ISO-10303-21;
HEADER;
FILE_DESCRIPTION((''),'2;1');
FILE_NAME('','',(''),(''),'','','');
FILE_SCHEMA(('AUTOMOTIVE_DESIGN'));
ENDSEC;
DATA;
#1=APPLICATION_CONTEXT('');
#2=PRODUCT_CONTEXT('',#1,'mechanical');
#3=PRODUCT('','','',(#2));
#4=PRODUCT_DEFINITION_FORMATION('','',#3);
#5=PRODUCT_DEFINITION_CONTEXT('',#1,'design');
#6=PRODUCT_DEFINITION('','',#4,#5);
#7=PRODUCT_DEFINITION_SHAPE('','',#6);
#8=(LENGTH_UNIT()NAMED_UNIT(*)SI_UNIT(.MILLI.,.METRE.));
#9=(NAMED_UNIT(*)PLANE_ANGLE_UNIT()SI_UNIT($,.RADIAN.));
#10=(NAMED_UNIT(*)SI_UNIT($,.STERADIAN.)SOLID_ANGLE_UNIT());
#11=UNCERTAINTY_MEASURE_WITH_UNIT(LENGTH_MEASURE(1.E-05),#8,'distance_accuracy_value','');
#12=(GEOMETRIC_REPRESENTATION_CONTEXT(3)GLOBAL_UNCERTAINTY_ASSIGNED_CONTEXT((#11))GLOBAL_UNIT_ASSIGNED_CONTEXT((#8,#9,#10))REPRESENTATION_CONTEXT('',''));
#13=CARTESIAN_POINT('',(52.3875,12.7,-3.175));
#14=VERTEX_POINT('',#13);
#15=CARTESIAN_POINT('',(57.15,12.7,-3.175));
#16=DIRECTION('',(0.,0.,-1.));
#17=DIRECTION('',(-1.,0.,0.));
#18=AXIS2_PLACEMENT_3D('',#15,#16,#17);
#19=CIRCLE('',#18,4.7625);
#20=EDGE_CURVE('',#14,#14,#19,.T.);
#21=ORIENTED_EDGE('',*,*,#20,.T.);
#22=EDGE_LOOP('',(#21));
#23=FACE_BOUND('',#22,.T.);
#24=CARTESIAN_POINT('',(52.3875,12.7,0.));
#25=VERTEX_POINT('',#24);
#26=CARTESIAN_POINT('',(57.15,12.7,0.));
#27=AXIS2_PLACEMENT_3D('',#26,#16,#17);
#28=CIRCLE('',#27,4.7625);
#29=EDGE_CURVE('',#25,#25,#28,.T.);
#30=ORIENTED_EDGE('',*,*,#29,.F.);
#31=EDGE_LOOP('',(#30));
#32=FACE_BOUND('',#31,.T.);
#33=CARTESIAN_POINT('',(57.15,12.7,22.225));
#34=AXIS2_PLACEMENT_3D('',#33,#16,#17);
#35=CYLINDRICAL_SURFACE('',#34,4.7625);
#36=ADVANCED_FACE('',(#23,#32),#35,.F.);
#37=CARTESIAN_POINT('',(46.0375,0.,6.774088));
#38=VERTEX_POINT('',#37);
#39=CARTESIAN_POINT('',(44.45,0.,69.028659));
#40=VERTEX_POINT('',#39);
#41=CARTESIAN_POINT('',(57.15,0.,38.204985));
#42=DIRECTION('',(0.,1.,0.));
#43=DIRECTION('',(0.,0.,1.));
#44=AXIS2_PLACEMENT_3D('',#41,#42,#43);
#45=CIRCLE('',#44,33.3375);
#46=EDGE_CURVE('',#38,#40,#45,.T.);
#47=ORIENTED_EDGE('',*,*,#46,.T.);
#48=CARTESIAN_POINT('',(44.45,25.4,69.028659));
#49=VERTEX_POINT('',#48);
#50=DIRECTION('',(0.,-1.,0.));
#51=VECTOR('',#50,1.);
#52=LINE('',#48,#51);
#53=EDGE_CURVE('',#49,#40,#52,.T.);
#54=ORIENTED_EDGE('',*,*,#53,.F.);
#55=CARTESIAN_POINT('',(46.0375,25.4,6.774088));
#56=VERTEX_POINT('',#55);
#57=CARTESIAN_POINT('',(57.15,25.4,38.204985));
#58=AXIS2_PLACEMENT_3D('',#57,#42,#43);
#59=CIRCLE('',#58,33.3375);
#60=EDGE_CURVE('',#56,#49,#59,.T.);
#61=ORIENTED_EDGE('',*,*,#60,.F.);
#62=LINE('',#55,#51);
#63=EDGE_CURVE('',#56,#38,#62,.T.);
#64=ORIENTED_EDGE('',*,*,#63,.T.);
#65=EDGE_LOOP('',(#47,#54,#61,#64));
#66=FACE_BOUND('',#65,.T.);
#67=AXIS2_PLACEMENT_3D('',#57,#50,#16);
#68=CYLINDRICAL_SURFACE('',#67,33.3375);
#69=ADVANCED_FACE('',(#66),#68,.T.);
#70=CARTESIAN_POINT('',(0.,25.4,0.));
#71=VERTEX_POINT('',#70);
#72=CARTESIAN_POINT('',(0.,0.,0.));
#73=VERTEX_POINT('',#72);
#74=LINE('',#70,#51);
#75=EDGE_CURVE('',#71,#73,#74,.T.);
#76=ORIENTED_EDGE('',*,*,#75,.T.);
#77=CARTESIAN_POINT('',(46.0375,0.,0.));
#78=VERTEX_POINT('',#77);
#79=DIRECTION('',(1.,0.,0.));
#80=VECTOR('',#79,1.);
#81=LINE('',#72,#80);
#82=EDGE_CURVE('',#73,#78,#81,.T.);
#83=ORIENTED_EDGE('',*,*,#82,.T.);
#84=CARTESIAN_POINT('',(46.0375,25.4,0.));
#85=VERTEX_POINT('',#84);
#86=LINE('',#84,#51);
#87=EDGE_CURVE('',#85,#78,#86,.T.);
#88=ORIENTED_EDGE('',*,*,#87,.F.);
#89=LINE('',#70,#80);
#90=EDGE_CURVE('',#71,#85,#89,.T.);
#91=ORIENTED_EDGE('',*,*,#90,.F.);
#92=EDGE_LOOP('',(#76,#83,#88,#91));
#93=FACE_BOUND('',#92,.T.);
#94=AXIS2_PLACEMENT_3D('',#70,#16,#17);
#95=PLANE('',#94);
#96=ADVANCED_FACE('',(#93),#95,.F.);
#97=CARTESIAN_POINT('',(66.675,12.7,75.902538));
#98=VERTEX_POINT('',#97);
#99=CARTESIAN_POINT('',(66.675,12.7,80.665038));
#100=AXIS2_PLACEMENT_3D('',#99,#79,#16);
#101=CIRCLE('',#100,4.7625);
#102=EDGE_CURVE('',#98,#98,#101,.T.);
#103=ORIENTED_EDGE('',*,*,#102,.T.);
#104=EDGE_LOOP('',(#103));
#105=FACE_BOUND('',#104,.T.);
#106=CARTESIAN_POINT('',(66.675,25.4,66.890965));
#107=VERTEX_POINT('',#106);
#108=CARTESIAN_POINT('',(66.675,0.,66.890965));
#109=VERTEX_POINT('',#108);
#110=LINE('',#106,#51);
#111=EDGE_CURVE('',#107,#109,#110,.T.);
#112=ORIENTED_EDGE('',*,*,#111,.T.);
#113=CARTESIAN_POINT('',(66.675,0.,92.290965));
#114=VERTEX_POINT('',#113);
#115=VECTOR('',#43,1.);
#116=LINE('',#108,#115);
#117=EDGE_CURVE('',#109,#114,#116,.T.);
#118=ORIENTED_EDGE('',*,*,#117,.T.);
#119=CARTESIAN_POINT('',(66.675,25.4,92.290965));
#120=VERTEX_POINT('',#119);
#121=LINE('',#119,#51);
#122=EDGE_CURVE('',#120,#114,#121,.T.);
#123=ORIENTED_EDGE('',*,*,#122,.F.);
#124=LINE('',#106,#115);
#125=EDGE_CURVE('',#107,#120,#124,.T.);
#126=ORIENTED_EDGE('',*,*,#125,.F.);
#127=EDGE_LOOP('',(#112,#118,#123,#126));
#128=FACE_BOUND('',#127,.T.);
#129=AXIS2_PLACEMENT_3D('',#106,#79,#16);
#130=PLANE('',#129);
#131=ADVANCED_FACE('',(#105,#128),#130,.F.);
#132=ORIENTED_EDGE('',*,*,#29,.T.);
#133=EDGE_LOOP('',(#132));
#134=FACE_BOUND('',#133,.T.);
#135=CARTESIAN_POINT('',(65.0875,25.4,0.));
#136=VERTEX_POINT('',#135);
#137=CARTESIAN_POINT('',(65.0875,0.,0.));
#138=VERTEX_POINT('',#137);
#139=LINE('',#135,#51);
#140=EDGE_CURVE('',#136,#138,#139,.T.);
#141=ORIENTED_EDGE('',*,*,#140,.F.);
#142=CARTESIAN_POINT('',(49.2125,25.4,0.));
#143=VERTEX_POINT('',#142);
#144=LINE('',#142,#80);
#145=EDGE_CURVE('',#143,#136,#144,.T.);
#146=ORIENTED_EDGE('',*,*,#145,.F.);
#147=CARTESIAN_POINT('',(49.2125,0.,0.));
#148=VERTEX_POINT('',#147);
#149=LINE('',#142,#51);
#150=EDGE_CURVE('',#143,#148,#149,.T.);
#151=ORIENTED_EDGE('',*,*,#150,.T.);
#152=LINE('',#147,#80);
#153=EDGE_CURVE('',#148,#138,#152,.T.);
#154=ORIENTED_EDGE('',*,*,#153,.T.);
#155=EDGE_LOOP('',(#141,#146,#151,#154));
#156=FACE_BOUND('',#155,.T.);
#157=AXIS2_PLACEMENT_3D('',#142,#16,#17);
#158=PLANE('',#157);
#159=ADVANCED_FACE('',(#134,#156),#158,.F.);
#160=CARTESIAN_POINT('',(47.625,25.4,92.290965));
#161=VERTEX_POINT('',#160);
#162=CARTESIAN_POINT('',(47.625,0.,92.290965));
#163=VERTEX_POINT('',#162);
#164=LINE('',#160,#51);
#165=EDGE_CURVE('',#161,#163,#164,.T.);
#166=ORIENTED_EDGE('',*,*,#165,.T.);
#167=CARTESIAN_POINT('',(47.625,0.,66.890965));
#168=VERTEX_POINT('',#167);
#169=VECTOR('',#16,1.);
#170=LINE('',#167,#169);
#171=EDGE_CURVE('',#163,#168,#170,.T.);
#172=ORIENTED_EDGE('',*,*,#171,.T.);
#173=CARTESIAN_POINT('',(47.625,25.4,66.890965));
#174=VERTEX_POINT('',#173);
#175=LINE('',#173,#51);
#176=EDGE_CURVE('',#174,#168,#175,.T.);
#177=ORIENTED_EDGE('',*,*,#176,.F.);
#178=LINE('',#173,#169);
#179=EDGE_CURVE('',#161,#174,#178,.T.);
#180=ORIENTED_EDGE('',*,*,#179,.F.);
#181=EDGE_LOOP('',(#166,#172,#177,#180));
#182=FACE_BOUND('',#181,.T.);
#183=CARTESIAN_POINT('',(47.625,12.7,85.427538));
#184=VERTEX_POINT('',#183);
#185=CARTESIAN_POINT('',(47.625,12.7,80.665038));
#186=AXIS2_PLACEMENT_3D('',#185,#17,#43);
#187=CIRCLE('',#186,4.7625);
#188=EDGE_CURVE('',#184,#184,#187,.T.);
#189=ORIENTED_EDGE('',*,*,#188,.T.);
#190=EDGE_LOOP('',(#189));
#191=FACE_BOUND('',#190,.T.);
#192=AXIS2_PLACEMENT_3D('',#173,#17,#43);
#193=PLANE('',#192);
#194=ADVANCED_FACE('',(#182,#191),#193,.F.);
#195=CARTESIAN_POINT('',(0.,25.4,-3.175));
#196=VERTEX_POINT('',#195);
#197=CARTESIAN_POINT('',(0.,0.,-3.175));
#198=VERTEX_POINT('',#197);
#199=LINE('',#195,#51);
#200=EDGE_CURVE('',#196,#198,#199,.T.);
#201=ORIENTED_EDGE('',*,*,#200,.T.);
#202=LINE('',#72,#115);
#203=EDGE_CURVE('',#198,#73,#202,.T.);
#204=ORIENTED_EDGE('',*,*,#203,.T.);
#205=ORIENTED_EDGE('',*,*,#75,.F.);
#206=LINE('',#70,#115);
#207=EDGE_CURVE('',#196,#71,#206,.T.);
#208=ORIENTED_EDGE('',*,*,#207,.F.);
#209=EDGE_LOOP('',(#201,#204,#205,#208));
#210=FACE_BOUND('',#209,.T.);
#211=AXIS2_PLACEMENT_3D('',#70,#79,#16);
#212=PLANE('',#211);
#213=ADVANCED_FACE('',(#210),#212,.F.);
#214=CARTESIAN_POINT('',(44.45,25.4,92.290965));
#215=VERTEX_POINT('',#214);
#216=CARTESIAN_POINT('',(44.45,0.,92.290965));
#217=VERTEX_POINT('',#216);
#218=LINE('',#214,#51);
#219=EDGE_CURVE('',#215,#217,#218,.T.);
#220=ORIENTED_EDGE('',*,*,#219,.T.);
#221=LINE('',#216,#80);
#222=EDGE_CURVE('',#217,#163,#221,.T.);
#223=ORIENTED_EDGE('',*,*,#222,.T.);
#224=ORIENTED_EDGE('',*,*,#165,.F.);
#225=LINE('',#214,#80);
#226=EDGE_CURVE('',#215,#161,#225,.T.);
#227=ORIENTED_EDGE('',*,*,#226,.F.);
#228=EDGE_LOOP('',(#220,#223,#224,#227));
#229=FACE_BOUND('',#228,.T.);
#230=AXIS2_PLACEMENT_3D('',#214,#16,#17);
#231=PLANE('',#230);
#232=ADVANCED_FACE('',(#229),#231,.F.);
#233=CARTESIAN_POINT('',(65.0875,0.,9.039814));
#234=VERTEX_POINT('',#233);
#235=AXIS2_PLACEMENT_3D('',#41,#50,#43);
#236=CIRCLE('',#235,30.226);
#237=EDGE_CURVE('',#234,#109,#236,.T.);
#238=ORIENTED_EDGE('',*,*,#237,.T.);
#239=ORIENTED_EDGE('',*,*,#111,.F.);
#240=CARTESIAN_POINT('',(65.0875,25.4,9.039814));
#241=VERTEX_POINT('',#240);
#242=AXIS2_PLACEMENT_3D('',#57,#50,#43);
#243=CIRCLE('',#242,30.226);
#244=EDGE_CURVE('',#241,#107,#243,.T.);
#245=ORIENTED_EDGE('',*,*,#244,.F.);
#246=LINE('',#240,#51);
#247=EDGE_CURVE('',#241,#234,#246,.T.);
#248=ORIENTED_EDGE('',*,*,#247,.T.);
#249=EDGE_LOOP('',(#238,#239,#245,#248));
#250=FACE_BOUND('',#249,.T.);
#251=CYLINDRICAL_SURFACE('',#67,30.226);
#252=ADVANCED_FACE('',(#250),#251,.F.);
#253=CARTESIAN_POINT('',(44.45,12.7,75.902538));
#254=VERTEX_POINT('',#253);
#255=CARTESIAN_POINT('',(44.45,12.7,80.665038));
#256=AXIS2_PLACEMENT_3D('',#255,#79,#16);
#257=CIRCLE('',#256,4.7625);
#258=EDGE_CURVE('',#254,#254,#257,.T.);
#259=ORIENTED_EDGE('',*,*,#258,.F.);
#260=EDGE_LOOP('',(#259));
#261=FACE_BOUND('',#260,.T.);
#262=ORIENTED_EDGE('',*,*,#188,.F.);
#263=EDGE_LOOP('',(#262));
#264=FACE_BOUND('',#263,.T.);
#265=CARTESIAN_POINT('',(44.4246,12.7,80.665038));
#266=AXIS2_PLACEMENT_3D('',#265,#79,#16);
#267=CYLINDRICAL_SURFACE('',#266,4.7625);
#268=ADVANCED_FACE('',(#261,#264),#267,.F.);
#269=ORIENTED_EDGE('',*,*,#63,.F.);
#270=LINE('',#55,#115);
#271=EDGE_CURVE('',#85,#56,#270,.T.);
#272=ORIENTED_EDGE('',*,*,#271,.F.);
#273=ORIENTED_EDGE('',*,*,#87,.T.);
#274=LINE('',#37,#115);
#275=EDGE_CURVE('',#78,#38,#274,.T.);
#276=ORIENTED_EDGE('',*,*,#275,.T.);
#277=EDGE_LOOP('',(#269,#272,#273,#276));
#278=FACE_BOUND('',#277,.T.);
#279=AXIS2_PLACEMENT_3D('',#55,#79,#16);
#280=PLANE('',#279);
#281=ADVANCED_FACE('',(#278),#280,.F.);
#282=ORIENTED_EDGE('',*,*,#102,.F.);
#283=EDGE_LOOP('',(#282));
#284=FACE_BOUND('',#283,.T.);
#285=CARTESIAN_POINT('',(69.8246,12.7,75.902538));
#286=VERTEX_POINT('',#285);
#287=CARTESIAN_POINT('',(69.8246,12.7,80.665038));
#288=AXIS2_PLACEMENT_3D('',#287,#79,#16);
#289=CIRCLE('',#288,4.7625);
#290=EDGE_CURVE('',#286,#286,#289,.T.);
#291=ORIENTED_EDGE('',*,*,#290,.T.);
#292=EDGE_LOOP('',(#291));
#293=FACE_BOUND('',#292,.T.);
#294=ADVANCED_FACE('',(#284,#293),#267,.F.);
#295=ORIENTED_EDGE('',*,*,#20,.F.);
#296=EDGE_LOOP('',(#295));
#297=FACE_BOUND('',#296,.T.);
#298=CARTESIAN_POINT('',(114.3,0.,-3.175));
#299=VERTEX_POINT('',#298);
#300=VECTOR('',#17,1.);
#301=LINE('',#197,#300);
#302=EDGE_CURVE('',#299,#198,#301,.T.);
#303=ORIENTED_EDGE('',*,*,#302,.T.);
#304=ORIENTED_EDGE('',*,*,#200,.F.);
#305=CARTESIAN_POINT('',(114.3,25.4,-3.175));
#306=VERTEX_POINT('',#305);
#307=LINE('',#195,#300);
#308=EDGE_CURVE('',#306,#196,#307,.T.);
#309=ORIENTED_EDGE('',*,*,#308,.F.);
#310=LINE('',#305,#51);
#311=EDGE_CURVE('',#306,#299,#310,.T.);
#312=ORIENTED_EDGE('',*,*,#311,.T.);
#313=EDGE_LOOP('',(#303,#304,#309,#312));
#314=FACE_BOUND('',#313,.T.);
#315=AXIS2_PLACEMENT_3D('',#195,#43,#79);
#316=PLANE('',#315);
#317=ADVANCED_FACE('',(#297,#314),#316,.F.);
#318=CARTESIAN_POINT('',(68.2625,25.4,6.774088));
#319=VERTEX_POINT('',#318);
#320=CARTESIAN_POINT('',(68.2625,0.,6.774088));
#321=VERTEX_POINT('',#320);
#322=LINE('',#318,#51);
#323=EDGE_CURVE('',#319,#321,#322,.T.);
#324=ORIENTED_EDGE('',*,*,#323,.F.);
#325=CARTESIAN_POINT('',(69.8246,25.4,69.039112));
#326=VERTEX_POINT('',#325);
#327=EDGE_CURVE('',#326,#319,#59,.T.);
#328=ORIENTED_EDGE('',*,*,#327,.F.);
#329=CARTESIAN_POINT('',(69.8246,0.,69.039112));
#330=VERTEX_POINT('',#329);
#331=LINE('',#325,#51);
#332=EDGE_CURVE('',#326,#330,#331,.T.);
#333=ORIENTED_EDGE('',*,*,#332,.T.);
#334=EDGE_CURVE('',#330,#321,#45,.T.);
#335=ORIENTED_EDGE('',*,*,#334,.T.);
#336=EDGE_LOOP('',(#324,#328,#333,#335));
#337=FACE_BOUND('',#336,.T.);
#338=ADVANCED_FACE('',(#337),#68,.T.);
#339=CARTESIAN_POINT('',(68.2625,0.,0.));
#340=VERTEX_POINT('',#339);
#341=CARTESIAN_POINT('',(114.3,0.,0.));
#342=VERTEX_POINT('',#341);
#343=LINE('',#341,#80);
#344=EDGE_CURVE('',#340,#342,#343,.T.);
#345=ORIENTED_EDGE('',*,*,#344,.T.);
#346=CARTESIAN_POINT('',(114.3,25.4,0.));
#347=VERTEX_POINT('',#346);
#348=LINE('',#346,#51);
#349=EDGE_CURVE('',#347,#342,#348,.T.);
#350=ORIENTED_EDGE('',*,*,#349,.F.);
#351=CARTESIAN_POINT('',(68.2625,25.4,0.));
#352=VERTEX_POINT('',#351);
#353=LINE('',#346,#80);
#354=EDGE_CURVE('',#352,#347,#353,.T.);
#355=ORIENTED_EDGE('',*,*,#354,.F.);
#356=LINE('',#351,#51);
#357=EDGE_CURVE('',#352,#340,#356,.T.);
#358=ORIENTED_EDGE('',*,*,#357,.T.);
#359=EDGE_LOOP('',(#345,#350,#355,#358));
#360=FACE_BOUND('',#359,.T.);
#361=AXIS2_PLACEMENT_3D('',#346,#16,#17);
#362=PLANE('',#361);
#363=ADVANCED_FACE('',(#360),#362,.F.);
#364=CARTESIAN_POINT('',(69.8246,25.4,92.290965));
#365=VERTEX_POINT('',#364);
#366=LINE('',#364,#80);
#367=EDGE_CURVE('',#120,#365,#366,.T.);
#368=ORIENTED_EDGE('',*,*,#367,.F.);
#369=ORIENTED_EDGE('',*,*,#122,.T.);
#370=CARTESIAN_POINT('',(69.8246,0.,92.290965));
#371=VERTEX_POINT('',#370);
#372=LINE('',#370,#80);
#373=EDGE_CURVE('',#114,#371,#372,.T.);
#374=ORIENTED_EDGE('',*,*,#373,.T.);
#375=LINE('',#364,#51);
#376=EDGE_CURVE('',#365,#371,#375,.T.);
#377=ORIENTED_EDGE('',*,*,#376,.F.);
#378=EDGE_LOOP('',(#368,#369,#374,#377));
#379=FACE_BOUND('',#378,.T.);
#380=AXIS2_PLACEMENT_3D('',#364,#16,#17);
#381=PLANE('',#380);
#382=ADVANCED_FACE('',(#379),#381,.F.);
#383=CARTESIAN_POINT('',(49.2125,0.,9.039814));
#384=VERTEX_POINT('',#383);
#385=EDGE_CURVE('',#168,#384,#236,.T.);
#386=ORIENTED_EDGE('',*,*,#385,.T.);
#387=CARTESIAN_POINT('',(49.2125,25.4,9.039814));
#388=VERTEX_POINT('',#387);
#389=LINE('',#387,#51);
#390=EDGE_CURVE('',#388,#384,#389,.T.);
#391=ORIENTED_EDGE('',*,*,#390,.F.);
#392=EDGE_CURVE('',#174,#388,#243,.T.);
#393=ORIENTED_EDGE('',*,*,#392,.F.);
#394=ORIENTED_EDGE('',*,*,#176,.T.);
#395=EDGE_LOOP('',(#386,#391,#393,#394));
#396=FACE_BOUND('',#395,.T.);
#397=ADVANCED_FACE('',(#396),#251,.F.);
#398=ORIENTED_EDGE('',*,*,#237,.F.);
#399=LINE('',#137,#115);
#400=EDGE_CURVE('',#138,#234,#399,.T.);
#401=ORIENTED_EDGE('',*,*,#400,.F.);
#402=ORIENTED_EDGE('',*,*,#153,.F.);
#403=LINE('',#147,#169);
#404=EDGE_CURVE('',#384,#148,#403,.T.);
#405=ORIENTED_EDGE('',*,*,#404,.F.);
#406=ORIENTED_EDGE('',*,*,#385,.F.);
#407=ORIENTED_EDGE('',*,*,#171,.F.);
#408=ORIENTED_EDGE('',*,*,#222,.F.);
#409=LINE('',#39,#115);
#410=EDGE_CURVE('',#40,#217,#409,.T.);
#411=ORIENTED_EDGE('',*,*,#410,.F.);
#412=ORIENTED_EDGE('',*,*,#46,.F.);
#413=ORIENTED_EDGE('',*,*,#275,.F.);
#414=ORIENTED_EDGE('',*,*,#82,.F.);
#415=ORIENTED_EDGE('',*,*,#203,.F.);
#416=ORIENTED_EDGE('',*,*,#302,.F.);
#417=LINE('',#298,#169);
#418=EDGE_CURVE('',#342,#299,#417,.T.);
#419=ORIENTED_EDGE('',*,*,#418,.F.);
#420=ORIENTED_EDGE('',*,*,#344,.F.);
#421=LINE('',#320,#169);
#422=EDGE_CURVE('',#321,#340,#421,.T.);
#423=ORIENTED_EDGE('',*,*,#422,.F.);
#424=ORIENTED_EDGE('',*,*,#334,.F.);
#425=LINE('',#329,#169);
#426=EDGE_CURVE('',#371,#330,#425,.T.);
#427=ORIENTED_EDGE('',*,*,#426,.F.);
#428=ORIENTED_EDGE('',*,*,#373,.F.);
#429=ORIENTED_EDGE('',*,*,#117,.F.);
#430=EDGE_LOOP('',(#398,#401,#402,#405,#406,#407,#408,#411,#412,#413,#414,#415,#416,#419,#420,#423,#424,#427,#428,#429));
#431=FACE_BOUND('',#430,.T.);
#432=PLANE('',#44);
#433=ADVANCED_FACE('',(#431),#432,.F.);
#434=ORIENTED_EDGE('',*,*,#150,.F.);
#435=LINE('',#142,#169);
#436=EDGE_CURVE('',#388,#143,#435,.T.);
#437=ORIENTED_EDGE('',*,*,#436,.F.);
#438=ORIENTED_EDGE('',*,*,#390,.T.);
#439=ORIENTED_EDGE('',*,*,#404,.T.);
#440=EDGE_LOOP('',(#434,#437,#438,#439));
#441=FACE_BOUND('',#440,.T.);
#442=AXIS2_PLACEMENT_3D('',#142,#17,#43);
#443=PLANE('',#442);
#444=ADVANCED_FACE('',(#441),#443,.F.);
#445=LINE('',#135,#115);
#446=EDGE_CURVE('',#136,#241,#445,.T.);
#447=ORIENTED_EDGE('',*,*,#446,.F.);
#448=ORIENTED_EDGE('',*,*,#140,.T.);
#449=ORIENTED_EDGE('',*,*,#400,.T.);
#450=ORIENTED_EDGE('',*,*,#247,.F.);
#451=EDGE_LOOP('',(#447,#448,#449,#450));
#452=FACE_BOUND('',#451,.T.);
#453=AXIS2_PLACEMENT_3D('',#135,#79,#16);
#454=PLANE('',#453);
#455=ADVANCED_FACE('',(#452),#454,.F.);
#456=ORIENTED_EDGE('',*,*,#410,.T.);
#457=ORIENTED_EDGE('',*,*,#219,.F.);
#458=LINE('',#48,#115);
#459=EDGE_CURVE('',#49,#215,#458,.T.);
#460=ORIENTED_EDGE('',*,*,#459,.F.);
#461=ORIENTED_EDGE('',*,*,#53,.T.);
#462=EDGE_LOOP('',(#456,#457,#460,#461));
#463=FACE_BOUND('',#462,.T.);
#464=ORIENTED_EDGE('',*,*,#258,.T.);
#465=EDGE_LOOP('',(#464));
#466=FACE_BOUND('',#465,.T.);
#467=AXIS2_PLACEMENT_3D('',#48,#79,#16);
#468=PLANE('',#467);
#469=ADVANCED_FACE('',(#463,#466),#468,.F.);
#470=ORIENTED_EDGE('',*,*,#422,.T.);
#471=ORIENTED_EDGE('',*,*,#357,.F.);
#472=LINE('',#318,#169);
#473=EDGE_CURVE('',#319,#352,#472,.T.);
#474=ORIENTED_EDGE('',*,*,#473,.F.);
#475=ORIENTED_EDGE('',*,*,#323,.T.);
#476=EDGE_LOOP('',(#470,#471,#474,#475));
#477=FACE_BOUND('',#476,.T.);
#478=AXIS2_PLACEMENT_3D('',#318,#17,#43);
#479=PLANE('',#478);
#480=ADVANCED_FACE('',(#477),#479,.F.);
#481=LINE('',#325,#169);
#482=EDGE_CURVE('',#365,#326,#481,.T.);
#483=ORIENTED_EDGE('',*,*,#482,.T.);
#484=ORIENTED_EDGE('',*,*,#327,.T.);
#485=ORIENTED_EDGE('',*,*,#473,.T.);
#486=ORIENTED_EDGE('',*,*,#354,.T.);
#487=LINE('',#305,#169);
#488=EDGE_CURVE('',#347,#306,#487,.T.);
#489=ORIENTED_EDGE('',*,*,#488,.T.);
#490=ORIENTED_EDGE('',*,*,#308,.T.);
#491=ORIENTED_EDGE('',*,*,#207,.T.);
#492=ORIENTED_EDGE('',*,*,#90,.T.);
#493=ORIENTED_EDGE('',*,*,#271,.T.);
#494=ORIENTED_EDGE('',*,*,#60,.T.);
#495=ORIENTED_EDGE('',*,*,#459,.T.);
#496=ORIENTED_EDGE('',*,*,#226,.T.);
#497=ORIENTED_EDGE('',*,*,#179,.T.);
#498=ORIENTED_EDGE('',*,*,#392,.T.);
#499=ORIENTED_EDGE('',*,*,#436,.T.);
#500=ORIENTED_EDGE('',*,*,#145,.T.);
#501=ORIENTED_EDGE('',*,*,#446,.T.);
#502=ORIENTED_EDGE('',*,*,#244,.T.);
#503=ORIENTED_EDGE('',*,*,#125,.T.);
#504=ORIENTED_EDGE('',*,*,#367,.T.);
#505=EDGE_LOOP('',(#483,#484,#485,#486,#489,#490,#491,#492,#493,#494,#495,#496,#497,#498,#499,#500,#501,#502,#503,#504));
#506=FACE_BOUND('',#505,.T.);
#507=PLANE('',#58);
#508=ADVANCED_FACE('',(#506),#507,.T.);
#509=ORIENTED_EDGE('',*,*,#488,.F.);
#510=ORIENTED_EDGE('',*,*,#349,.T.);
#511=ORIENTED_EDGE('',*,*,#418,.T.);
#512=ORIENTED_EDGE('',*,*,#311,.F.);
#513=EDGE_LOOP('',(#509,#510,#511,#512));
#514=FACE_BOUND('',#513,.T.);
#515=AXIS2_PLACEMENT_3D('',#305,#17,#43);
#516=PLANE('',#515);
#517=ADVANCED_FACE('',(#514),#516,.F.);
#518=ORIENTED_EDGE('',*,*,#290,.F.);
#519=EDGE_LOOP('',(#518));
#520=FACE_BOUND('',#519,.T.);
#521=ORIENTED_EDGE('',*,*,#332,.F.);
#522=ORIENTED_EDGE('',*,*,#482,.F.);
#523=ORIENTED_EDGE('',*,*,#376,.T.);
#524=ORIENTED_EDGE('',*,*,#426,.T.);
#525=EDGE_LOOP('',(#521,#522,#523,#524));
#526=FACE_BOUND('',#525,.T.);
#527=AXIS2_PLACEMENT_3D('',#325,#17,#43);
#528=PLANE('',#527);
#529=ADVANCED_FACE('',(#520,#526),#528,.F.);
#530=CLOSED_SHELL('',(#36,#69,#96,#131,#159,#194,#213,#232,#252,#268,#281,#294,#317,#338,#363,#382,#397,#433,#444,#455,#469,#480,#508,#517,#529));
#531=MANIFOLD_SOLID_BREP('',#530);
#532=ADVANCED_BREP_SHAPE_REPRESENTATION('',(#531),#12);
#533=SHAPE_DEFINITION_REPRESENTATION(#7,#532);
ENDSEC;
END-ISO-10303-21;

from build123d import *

# Parameters (mm, degrees)
BOSS_EXTRUDE1_DEPTH = 25.4
SKETCH2_R           = 4.7625
CUT_EXTRUDE1_DEPTH  = 25.4
SKETCH3_R           = 4.7625
CUT_EXTRUDE2_DEPTH  = 25.4


with BuildPart() as part:
    # Sketch1 → Boss-Extrude1 (new body)
    with BuildSketch(Plane(origin=(0, 0, 0), x_dir=(1, 0, 0), z_dir=(0, 1, 0))):
        with BuildLine():
            Line((0, 0), (0, 3.175))
            Line((0, 3.175), (114.3, 3.175))
            Line((114.3, 3.175), (114.3, 0))
            Line((114.3, 0), (68.2625, 0))
            Line((68.2625, 0), (68.2625, -6.774088247))
            ThreePointArc((68.2625, -6.774088247), (90.477013576, -37.368879188), (69.8246, -69.03911221))
            Line((69.8246, -69.03911221), (69.8246, -92.290964713))
            Line((69.8246, -92.290964713), (66.675, -92.290964713))
            Line((66.675, -92.290964713), (66.675, -66.890964713))
            ThreePointArc((66.675, -66.890964713), (87.364626112, -37.37586168), (65.0875, -9.03981418))
            Line((65.0875, -9.03981418), (65.0875, 0))
            Line((65.0875, 0), (49.2125, 0))
            Line((49.2125, 0), (49.2125, -9.03981418))
            ThreePointArc((49.2125, -9.03981418), (26.935373888, -37.37586168), (47.625, -66.890964713))
            Line((47.625, -66.890964713), (47.625, -92.290964713))
            Line((47.625, -92.290964713), (44.45, -92.290964713))
            Line((44.45, -92.290964713), (44.45, -69.028659115))
            ThreePointArc((44.45, -69.028659115), (23.823333687, -37.35515016), (46.0375, -6.774088247))
            Line((46.0375, -6.774088247), (46.0375, 0))
            Line((46.0375, 0), (0, 0))
        make_face()
    extrude(amount=BOSS_EXTRUDE1_DEPTH)

    # Sketch2 → Cut-Extrude1 (cut)
    with BuildSketch(Plane(origin=(69.8246, 0, 0), x_dir=(0, 0, -1), z_dir=(1, 0, 0))):
        with Locations((-80.665038461, 12.7)):
            Circle(SKETCH2_R)
    extrude(amount=-CUT_EXTRUDE1_DEPTH, mode=Mode.SUBTRACT)

    # Sketch3 → Cut-Extrude2 (cut)
    with BuildSketch(Plane(origin=(0, 0, -3.175), x_dir=(-1, 0, 0), z_dir=(0, 0, -1))):
        with Locations((-57.15, 12.7)):
            Circle(SKETCH3_R)
    extrude(amount=-CUT_EXTRUDE2_DEPTH, mode=Mode.SUBTRACT)


solid = part.part
